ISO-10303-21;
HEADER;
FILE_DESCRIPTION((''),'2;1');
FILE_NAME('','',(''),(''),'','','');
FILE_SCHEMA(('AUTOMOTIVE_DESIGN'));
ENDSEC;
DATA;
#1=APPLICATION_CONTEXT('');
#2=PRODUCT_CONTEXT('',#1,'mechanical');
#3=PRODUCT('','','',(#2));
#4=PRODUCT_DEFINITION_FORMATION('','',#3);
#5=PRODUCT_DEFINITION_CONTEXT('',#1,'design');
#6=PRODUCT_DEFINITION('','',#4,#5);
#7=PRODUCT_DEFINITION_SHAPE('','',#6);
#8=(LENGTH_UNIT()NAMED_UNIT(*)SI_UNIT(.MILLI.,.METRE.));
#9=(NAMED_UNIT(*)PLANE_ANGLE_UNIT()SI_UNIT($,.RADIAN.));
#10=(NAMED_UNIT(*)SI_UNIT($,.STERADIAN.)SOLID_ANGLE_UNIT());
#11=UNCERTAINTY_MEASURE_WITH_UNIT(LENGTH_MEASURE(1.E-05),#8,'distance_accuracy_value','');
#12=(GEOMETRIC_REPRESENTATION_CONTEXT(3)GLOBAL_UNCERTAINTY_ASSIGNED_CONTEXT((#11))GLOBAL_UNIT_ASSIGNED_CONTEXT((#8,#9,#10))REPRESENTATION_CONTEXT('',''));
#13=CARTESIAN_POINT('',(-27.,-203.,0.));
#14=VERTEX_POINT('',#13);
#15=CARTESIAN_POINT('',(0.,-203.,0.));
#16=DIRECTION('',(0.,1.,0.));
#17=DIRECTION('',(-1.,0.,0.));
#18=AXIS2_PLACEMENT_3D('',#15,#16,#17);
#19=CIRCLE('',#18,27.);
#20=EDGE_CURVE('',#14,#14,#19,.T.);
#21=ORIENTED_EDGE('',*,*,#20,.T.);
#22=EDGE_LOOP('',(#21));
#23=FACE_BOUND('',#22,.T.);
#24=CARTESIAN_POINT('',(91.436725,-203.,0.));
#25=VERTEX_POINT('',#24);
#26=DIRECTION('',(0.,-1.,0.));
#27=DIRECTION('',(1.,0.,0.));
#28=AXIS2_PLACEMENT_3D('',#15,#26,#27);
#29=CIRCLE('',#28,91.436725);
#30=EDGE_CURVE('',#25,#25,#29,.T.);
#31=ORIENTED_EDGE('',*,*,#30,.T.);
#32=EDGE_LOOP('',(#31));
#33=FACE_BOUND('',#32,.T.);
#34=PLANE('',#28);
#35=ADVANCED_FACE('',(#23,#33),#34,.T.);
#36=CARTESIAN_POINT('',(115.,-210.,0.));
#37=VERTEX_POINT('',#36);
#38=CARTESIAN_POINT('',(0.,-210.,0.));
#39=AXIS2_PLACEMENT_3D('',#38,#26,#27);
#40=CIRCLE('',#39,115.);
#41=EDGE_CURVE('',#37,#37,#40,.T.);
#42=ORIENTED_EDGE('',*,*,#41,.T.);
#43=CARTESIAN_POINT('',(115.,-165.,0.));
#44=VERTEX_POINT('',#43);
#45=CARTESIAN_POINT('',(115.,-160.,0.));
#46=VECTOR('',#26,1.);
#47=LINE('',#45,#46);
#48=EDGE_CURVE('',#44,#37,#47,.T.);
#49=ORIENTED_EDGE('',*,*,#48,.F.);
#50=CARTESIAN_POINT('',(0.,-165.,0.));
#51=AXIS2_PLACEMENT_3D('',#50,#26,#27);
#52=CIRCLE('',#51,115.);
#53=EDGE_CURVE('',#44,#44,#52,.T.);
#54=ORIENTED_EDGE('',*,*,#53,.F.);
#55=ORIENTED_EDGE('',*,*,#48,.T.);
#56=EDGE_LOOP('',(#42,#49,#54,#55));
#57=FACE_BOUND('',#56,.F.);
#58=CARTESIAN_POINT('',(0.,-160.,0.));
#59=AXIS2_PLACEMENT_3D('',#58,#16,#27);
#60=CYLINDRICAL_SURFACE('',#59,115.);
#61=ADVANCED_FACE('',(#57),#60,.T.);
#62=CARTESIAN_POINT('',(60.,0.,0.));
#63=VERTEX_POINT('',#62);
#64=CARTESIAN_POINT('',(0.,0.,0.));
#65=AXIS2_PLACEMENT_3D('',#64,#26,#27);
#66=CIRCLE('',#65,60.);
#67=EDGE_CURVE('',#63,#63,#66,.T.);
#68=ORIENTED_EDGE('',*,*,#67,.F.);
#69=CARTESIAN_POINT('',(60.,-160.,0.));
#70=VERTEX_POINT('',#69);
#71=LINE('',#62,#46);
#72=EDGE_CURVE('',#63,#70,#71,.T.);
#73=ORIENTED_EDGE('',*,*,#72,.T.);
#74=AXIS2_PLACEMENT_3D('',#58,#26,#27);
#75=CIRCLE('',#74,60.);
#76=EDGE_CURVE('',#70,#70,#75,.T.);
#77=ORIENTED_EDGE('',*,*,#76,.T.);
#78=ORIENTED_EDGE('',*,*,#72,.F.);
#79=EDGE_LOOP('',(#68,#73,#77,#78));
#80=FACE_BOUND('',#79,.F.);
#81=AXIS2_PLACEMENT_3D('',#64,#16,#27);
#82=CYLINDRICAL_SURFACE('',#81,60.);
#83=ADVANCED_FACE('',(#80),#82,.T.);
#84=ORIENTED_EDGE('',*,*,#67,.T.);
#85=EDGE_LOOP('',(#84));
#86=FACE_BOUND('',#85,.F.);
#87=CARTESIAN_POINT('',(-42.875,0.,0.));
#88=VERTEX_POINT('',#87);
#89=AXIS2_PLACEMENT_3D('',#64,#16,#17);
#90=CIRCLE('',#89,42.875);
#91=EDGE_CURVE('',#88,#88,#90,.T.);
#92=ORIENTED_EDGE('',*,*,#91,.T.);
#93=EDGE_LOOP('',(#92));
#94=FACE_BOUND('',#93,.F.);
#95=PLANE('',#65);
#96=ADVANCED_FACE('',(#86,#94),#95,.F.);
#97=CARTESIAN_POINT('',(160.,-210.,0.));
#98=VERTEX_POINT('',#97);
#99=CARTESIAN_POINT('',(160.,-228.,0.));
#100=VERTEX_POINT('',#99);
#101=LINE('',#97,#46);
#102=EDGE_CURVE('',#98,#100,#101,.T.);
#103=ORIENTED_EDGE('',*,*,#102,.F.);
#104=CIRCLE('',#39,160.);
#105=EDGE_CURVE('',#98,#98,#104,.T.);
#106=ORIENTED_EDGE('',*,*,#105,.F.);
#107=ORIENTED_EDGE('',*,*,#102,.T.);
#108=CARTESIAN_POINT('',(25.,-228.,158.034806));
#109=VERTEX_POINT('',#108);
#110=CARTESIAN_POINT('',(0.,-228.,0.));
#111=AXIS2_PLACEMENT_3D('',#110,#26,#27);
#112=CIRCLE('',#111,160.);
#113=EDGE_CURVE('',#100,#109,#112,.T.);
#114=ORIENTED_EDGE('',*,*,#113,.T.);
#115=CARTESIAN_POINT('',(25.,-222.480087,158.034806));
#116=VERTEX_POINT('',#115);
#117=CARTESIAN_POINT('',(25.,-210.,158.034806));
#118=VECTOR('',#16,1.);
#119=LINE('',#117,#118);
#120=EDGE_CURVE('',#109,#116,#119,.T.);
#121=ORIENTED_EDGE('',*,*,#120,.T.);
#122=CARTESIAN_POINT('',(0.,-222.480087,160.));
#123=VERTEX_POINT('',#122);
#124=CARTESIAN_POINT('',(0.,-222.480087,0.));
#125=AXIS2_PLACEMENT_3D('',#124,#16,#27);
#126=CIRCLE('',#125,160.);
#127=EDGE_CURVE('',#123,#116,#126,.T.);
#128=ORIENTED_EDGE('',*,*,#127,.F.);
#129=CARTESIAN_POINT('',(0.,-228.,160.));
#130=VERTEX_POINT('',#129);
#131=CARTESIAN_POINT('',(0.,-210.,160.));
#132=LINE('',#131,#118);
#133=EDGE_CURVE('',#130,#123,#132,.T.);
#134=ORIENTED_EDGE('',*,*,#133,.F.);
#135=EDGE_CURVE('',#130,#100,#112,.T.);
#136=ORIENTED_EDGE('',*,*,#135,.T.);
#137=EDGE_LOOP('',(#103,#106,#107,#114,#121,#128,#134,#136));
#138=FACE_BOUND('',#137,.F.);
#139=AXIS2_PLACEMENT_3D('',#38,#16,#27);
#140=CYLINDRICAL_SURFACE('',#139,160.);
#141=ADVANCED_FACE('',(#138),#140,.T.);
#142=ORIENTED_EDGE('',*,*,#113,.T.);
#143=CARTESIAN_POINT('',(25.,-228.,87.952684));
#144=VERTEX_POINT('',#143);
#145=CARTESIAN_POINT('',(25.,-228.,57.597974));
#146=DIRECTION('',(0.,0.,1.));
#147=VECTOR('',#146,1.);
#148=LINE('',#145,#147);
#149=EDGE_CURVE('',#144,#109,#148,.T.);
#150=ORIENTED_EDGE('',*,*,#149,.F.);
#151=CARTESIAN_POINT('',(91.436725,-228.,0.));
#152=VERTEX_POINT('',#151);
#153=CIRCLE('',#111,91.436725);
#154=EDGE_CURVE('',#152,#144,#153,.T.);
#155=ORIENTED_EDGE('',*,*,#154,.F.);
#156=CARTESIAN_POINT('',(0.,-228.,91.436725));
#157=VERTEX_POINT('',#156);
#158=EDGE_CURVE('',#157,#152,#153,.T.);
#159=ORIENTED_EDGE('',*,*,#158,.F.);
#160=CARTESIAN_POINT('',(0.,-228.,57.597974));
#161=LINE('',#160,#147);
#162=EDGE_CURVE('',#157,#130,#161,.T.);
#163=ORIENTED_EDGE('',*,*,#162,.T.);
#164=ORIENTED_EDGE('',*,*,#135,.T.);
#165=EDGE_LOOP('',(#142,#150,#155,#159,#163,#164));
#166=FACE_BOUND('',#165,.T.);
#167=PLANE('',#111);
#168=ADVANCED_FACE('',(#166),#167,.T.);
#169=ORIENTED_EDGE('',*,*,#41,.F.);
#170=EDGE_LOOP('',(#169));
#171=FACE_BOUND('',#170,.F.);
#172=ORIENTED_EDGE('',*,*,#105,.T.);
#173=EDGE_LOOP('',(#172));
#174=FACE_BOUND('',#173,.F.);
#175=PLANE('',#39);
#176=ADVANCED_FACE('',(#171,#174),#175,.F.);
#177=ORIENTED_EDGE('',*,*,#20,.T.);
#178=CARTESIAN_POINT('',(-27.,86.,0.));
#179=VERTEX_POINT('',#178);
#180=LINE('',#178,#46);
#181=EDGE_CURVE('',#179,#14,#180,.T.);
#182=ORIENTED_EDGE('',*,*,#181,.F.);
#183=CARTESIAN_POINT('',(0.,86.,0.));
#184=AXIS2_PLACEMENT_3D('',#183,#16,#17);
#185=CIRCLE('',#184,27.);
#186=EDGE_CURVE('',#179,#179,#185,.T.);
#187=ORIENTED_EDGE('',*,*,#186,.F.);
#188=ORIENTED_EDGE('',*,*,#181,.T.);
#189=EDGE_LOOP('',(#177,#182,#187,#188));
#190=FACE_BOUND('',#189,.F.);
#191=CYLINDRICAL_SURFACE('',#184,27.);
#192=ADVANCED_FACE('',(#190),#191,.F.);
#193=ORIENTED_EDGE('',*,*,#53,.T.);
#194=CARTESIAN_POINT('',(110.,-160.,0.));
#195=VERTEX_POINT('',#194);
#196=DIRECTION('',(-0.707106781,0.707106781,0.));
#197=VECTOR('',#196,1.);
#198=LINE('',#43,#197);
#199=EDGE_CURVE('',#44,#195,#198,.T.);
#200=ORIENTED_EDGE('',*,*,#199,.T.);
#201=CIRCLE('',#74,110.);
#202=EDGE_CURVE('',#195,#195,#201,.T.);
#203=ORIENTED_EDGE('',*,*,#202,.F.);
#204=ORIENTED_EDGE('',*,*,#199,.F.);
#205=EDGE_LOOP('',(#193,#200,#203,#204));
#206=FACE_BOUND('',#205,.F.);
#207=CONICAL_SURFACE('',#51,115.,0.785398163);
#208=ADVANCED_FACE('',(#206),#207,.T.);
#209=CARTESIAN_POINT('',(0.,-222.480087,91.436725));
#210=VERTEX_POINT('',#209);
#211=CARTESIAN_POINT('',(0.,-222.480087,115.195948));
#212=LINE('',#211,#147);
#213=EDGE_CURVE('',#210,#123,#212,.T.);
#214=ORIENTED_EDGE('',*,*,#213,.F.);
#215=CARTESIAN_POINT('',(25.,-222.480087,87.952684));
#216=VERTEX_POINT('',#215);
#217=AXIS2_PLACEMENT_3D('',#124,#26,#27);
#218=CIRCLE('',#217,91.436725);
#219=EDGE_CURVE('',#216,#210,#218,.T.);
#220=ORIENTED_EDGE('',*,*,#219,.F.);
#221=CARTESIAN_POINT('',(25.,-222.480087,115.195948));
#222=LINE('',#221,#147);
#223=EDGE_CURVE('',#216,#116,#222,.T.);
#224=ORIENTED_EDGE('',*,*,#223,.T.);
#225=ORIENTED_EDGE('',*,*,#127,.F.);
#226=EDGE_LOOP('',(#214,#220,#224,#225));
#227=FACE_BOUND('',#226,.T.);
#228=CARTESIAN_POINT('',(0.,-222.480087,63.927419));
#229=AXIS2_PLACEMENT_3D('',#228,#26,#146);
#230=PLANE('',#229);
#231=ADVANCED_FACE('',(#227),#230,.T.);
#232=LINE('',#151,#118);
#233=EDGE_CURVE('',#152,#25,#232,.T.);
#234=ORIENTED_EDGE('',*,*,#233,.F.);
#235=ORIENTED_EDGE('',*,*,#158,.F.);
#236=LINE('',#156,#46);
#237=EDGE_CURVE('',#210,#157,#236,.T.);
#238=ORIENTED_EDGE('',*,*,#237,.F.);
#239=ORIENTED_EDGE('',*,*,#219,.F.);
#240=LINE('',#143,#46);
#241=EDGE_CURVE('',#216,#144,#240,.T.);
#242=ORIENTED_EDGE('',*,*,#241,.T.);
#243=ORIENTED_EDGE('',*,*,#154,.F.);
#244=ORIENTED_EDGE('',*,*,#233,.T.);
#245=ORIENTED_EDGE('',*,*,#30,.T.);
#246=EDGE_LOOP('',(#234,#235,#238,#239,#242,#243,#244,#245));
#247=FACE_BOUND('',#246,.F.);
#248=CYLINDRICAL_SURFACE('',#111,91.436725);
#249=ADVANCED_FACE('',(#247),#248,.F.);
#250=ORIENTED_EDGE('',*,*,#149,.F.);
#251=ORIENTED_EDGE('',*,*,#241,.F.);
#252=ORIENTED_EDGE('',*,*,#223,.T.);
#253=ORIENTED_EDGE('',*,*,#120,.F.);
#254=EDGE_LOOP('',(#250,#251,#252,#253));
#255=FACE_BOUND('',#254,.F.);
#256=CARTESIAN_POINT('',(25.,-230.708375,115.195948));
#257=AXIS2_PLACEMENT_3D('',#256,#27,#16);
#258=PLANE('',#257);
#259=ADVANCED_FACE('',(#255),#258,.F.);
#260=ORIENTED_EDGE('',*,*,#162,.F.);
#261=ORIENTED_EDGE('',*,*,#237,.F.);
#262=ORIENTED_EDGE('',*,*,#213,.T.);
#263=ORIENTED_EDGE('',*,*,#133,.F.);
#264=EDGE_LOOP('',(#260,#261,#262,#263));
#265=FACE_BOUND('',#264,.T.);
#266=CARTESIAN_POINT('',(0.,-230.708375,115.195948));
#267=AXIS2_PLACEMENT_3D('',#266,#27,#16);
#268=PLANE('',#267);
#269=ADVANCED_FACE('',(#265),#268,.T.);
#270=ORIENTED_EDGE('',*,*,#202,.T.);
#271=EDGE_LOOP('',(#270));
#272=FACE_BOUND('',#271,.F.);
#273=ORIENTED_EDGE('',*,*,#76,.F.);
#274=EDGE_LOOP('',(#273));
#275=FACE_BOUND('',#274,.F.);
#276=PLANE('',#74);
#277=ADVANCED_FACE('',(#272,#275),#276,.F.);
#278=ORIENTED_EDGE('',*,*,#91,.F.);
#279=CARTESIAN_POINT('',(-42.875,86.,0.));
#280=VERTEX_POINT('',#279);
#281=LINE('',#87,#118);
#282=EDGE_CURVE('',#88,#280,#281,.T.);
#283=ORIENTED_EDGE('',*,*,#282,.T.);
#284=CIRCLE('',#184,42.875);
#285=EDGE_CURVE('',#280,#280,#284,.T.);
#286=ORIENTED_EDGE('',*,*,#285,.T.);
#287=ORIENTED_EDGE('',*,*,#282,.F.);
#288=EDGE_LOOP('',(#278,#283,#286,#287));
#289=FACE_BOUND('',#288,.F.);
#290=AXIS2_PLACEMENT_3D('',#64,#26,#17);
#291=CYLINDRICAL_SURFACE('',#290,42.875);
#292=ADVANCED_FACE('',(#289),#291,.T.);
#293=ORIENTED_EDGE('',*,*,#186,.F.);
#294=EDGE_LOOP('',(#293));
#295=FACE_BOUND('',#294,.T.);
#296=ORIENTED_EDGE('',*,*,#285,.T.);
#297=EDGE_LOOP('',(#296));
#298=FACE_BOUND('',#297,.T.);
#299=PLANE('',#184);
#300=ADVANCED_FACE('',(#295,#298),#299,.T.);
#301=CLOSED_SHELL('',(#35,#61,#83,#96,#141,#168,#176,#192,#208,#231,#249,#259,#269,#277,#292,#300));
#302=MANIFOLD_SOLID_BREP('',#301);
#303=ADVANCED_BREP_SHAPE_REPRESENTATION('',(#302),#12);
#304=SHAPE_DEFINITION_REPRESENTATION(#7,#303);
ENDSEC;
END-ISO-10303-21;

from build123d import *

# Parameters (mm, degrees)
F0_R      = 60
F1_DEPTH  = 160
F2_R      = 115
F3_DEPTH  = 50
F4_R      = 160
F5_DEPTH  = 18
F6_SIZE   = 5
F7_R      = 42.875
F8_DEPTH  = 86
F9_R      = 27
F10_DEPTH = 430
F11_R     = 91.436725
F12_DEPTH = 25
F13_W     = 16.456575
F13_H     = 102.537059
F14_DEPTH = 25


with BuildPart() as f1:
    # F0 (on Front) → F1 (new body)
    with BuildSketch(Plane.XZ):
        Circle(F0_R)
    extrude(amount=F1_DEPTH)

    # F2 (on face) → F3 (join)
    with BuildSketch(Plane.XZ.offset(160)):
        Circle(F2_R)
    extrude(amount=F3_DEPTH)

    # F4 (on face) → F5 (join)
    with BuildSketch(Plane.XZ.offset(210)):
        Circle(F4_R)
    extrude(amount=F5_DEPTH)

    # F6
    f6_edges = [f1.edges().sort_by_distance(p)[0] for p in [
        (-115, -160, 0),
    ]]
    chamfer(f6_edges, length=F6_SIZE)

    # F7 (on face) → F8 (join)
    with BuildSketch(Plane(origin=(0, 0, 0), x_dir=(-1, 0, 0), z_dir=(0, 1, 0))):
        Circle(F7_R)
    extrude(amount=F8_DEPTH)

    # F9 (on face) → F10 (cut)
    with BuildSketch(Plane(origin=(0, 86, 0), x_dir=(-1, 0, 0), z_dir=(0, 1, 0))):
        Circle(F9_R)
    extrude(amount=-F10_DEPTH, mode=Mode.SUBTRACT)

    # F11 (on face) → F12 (cut)
    with BuildSketch(Plane.XZ.offset(228)):
        Circle(F11_R)
    extrude(amount=-F12_DEPTH, mode=Mode.SUBTRACT)

    # F13 (on Right) → F14 (cut)
    with BuildSketch(Plane.YZ):
        with Locations((-230.708375, 115.195948)):
            Rectangle(F13_W, F13_H)
    extrude(amount=F14_DEPTH, mode=Mode.SUBTRACT)


solid = f1.part
